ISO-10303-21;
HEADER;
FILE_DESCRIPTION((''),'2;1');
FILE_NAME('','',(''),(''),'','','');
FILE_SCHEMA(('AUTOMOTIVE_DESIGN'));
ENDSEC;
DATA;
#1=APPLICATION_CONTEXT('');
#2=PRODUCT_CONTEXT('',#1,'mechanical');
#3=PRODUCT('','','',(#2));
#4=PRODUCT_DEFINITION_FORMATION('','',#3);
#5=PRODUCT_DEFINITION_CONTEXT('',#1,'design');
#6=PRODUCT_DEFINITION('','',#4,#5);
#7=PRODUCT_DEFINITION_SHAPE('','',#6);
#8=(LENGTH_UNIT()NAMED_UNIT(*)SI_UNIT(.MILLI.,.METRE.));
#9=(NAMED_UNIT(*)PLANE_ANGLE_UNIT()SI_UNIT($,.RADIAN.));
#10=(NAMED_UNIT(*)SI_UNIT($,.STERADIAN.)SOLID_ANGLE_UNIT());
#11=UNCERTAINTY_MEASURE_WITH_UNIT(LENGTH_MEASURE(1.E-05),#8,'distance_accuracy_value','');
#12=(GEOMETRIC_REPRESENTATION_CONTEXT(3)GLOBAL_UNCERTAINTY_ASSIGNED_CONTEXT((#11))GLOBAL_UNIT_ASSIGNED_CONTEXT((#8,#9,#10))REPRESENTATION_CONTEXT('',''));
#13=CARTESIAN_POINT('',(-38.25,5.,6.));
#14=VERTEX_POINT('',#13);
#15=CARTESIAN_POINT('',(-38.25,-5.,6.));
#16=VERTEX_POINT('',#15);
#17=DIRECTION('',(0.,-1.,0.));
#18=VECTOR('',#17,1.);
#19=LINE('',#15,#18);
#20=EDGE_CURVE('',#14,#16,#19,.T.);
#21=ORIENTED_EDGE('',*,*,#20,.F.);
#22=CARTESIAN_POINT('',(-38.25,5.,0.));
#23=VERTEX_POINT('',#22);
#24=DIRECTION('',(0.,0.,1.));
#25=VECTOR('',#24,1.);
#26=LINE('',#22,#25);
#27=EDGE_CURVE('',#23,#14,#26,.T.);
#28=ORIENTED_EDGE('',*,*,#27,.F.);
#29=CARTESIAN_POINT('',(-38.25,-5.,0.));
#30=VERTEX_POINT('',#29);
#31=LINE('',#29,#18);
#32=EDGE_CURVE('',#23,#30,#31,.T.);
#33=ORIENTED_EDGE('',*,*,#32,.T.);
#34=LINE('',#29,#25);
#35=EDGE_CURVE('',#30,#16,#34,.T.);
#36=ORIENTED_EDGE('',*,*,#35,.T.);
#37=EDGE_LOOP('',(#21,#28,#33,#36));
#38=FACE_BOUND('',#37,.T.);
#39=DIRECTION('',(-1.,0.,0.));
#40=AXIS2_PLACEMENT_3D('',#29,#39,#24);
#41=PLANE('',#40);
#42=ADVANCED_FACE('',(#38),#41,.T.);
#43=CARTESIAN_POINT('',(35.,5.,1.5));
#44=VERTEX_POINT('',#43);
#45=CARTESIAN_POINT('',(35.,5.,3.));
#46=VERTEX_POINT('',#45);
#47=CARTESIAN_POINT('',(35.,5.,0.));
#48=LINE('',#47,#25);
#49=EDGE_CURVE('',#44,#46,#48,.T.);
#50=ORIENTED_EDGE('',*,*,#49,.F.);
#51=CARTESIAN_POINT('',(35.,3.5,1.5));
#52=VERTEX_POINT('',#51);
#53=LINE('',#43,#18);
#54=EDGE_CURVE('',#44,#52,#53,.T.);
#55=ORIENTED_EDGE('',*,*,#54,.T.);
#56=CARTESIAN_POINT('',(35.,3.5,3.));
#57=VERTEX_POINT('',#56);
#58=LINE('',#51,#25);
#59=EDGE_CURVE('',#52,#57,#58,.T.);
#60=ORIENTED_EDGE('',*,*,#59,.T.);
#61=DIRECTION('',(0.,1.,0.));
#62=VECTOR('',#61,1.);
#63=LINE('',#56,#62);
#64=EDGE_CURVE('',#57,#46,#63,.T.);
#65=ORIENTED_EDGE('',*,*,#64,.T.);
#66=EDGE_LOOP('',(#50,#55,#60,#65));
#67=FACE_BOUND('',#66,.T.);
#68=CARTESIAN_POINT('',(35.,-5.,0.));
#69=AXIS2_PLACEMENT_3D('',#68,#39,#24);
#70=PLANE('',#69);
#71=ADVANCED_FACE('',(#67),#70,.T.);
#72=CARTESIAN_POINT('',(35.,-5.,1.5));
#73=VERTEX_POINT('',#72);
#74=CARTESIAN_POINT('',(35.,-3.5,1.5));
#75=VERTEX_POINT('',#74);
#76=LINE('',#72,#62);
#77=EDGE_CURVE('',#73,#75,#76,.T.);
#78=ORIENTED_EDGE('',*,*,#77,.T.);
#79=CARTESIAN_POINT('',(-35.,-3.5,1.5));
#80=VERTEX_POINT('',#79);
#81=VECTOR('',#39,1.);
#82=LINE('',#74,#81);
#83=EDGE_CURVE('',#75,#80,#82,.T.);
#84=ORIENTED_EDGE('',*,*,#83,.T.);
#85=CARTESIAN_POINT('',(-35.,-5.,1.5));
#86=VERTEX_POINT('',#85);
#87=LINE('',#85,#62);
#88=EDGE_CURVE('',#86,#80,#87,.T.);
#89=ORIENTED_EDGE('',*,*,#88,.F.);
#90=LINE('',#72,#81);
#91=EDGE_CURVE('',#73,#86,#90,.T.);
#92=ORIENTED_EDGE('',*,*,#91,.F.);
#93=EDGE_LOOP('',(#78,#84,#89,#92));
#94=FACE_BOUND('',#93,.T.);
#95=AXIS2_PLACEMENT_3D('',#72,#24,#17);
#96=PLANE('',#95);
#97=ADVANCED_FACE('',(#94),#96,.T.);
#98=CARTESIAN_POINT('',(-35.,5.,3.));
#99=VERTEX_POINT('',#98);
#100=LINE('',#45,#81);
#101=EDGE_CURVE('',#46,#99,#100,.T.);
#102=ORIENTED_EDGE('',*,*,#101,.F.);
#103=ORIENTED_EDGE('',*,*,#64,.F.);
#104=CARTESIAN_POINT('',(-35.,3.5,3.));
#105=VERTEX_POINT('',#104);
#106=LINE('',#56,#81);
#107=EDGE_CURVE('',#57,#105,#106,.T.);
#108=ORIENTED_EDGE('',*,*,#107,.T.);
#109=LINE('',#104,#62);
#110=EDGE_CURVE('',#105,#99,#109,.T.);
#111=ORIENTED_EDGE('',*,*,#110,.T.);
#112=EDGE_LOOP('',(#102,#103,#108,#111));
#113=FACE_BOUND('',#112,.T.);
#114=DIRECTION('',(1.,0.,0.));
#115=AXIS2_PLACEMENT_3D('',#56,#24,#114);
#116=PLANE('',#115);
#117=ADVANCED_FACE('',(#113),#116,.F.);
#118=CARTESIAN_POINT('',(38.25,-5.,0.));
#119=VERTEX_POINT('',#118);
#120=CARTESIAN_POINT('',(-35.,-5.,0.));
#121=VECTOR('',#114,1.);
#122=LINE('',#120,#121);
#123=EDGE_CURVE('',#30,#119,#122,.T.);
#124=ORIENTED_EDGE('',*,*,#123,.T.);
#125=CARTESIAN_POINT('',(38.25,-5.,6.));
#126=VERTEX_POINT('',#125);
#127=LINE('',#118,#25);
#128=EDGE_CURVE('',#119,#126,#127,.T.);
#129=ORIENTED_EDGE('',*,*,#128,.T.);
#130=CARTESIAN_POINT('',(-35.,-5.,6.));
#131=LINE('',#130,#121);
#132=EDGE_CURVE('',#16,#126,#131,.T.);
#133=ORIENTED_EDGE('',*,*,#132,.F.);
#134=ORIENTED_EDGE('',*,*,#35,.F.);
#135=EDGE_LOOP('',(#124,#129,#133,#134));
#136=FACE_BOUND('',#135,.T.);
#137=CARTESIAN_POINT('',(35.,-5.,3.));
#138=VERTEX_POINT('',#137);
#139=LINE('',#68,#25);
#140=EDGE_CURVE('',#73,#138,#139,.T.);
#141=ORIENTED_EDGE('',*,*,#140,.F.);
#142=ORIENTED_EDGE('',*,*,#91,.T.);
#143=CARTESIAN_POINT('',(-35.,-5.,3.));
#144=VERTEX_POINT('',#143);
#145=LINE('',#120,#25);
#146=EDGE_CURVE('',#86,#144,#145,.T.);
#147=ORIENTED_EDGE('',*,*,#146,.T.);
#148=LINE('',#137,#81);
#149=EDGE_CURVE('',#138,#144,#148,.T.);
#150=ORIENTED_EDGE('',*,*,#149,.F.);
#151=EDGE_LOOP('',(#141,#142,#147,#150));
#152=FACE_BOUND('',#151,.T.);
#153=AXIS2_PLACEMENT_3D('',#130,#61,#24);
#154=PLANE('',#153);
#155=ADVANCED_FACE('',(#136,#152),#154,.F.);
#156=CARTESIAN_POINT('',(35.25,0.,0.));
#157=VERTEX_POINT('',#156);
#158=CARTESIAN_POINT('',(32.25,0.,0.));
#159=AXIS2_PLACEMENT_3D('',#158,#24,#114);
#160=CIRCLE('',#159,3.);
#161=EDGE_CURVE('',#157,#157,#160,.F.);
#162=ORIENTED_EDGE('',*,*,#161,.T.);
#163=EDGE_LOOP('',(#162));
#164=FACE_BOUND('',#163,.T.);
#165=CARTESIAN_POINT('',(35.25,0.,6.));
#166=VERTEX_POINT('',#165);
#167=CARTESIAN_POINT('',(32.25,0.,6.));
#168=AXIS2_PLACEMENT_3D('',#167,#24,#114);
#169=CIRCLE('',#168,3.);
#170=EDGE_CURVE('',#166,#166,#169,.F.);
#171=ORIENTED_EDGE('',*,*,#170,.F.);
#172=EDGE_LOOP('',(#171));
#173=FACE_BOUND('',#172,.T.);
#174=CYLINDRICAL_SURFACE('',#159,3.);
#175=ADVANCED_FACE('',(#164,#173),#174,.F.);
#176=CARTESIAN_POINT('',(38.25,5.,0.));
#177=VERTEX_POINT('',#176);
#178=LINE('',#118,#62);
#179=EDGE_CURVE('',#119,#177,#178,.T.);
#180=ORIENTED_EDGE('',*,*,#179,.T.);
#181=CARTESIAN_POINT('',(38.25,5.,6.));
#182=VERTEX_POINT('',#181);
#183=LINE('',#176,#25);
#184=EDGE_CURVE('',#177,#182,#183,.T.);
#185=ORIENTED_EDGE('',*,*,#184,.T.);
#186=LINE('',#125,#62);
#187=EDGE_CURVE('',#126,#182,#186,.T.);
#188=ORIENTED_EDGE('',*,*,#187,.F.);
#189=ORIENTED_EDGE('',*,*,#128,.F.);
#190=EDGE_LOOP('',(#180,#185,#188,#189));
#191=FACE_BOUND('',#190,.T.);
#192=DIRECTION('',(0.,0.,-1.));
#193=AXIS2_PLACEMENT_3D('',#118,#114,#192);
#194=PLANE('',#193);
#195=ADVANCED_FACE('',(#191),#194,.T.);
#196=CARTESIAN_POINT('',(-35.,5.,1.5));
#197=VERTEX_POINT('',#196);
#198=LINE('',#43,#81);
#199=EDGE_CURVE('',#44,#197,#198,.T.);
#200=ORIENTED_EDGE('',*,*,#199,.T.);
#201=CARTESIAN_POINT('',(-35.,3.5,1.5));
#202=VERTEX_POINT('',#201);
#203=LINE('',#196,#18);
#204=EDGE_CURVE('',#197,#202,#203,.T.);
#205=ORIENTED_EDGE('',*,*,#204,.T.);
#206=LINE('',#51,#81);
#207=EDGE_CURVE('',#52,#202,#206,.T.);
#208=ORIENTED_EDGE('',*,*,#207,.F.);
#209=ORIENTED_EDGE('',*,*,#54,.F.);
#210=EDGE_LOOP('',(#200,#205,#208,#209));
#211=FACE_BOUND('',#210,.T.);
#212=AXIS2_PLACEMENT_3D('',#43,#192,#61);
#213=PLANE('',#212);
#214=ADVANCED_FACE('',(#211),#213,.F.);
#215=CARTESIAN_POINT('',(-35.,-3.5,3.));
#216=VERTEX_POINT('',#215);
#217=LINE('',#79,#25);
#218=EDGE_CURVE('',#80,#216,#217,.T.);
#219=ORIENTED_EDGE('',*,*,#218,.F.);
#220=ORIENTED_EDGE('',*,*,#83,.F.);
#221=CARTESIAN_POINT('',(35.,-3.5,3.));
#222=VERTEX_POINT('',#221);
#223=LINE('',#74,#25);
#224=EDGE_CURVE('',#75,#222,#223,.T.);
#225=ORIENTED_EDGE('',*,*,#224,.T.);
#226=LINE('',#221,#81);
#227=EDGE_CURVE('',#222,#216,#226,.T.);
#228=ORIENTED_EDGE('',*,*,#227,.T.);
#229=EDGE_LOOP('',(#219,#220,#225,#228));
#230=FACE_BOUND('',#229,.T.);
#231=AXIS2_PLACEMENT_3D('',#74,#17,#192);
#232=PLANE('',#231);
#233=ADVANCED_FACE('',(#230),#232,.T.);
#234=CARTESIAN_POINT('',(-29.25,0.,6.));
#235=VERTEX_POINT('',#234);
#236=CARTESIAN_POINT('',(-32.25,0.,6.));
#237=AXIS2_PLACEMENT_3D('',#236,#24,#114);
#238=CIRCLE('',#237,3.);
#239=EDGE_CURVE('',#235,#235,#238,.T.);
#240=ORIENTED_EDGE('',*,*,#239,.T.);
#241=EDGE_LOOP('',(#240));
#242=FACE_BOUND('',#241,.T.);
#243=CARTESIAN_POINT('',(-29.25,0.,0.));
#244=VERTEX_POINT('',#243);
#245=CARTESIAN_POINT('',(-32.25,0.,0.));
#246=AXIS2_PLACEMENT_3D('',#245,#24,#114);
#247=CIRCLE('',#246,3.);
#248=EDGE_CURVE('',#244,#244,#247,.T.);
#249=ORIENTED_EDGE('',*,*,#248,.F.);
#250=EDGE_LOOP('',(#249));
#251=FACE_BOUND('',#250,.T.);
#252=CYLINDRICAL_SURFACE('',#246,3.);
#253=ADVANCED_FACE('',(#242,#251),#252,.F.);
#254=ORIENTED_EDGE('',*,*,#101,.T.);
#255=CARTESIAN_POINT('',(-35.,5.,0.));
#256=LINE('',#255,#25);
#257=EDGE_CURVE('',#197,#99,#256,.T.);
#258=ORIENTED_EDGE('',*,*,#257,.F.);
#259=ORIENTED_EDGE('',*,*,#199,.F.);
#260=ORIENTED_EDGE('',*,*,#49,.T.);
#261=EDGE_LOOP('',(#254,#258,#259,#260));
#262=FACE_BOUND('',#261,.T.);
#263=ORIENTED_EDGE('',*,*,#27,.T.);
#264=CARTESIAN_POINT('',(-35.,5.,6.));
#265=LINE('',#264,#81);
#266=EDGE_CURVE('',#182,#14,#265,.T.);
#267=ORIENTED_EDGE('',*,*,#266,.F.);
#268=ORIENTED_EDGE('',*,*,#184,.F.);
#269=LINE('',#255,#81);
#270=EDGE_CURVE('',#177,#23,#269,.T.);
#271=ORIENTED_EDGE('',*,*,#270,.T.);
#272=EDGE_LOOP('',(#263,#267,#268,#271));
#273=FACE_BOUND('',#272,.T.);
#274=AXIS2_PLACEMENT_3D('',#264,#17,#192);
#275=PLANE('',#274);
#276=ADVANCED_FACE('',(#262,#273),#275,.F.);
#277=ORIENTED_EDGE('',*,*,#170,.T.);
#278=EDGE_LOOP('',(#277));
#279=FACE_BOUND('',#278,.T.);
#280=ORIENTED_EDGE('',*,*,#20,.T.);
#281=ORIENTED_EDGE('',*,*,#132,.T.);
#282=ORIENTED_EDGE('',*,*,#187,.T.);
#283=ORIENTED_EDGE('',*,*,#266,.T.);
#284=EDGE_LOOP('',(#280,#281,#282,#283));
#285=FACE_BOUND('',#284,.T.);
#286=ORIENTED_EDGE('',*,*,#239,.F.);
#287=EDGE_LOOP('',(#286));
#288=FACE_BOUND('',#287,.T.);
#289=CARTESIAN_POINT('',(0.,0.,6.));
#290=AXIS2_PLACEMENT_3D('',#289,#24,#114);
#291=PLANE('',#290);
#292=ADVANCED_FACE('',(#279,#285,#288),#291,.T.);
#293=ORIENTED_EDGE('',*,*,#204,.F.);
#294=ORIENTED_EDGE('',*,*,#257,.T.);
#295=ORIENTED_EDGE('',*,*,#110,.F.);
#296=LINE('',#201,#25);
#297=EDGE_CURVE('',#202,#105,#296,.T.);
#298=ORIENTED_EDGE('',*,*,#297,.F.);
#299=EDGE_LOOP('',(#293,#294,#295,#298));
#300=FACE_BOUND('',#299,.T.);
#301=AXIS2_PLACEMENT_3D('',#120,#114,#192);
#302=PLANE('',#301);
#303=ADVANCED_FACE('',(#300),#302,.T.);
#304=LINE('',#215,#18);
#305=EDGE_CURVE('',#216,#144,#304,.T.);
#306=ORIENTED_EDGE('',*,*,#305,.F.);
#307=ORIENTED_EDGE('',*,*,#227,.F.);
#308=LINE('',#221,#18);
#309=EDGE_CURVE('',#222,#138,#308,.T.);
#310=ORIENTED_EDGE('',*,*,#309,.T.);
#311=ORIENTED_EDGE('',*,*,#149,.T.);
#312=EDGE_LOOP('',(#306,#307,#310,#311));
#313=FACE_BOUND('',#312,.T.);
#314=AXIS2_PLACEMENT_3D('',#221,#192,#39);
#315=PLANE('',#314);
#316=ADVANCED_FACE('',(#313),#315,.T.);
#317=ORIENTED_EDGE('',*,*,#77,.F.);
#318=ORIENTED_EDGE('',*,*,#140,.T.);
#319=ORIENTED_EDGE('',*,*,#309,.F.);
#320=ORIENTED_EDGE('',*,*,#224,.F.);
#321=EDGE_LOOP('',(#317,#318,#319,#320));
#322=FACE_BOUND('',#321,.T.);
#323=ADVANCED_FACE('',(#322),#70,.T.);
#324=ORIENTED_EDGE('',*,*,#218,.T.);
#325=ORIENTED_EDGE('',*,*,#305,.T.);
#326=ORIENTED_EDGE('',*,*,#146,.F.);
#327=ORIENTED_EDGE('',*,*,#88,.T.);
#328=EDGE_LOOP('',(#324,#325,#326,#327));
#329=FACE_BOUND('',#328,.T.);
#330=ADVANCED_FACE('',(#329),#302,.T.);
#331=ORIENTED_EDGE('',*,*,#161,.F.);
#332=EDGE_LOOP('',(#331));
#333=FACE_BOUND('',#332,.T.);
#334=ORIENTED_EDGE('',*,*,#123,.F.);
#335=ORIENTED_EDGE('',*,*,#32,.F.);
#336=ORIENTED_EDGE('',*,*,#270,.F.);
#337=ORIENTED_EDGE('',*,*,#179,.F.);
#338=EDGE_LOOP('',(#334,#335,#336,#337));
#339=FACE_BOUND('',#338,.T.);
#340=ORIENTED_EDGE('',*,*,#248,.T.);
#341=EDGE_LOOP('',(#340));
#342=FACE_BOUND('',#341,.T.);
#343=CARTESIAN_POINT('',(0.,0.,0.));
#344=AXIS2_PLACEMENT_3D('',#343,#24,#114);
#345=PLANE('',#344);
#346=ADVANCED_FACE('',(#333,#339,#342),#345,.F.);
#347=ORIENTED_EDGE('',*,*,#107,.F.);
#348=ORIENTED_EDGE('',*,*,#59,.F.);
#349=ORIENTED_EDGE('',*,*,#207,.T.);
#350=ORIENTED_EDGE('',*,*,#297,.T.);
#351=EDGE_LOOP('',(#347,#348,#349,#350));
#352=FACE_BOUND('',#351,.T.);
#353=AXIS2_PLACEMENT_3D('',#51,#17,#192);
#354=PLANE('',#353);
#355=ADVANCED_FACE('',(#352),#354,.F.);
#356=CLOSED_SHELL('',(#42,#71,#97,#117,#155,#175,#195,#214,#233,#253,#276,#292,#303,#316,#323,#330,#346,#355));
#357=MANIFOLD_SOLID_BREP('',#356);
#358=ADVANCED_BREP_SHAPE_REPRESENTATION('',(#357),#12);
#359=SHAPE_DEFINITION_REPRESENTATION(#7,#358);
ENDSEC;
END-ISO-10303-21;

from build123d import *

# Parameters (mm, degrees)
SKETCH_1_W          = 70
SKETCH_1_H          = 10
EXTRUDE_1_DEPTH     = 6
SKETCH_2_W          = 1.5
SKETCH_2_H          = 1.5
CUT_EXTRUDE_1_DEPTH = 71.434366612
SKETCH_3_R          = 3
CUT_EXTRUDE_2_DEPTH = 36.860842154
SKETCH_4_R          = 3
CUT_EXTRUDE_3_DEPTH = 36.860842154
SKETCH_5_W          = 3.25
SKETCH_5_H          = 10
EXTRUDE_2_DEPTH     = 6
SKETCH_9_R          = 3
CUT_EXTRUDE_4_DEPTH = 40.039243077
SKETCH_10_R         = 3
EXTRUDE_4_DEPTH     = 6
SKETCH_11_R         = 3
CUT_EXTRUDE_5_DEPTH = 40.039243077


with BuildPart() as part:
    # 草图1 → 凸台-拉伸1 (new body)
    with BuildSketch(Plane.XY):
        Rectangle(SKETCH_1_W, SKETCH_1_H)
    extrude(amount=EXTRUDE_1_DEPTH)

    # 草图2 → 切除-拉伸1 (cut, through all)
    with BuildSketch(Plane.ZY.offset(35)):
        with Locations((2.25, 4.25)):
            Rectangle(SKETCH_2_W, SKETCH_2_H)
        with Locations((2.25, -4.25)):
            Rectangle(SKETCH_2_W, SKETCH_2_H)
    extrude(amount=-CUT_EXTRUDE_1_DEPTH, mode=Mode.SUBTRACT)

    # 草图3 → 切除-拉伸2 (cut, through all)
    with BuildSketch(Plane.XY.offset(6)):
        with Locations((-29, 0)):
            Circle(SKETCH_3_R)
        with Locations((29, 0)):
            Circle(SKETCH_3_R)
    extrude(amount=-CUT_EXTRUDE_2_DEPTH, mode=Mode.SUBTRACT)

    # 草图4 → 切除-拉伸3 (cut, through all)
    with BuildSketch(Plane.XY.offset(6)):
        with Locations((-32.25, 0)):
            Circle(SKETCH_4_R)
    extrude(amount=-CUT_EXTRUDE_3_DEPTH, mode=Mode.SUBTRACT)

    # 草图5 → 凸台-拉伸2 (add)
    with BuildSketch(Plane.XY.offset(6)):
        with Locations((36.625, 0)):
            Rectangle(SKETCH_5_W, SKETCH_5_H)
        with Locations((-36.625, 0)):
            Rectangle(SKETCH_5_W, SKETCH_5_H)
    extrude(amount=-EXTRUDE_2_DEPTH)

    # 草图9 → 切除-拉伸4 (cut, through all)
    with BuildSketch(Plane.XY.offset(6)):
        with BuildLine():
            ThreePointArc((-30.625, -2.521780125), (-32, 0), (-30.625, 2.521780125))
            ThreePointArc((-30.625, 2.521780125), (-33.118257406, 2.871607403), (-35, 1.198957881))
            Line((-35, 1.198957881), (-35, -1.198957881))
            ThreePointArc((-35, -1.198957881), (-33.118257406, -2.871607403), (-30.625, -2.521780125))
        make_face()
        with BuildLine():
            Line((-35, -1.198957881), (-35, 1.198957881))
            ThreePointArc((-35, 1.198957881), (-35.25, 0), (-35, -1.198957881))
        make_face()
        with Locations((-29, 0)):
            Circle(SKETCH_9_R)
        with Locations((-32.25, 0)):
            Circle(SKETCH_9_R)
        with Locations((32.25, 0)):
            Circle(SKETCH_9_R)
        with Locations((29, 0)):
            Circle(SKETCH_9_R)
    extrude(amount=-CUT_EXTRUDE_4_DEPTH, mode=Mode.SUBTRACT)

    # 草图10 → 凸台-拉伸4 (add)
    with BuildSketch(Plane.XY.offset(6)):
        with Locations((-29, 0)):
            Circle(SKETCH_10_R)
        with Locations((29, 0)):
            Circle(SKETCH_10_R)
    extrude(amount=-EXTRUDE_4_DEPTH)

    # 草图11 → 切除-拉伸5 (cut, through all)
    with BuildSketch(Plane.XY.offset(6)):
        with Locations((-32.25, 0)):
            Circle(SKETCH_11_R)
        with Locations((32.25, 0)):
            Circle(SKETCH_11_R)
    extrude(amount=-CUT_EXTRUDE_5_DEPTH, mode=Mode.SUBTRACT)


solid = part.part
